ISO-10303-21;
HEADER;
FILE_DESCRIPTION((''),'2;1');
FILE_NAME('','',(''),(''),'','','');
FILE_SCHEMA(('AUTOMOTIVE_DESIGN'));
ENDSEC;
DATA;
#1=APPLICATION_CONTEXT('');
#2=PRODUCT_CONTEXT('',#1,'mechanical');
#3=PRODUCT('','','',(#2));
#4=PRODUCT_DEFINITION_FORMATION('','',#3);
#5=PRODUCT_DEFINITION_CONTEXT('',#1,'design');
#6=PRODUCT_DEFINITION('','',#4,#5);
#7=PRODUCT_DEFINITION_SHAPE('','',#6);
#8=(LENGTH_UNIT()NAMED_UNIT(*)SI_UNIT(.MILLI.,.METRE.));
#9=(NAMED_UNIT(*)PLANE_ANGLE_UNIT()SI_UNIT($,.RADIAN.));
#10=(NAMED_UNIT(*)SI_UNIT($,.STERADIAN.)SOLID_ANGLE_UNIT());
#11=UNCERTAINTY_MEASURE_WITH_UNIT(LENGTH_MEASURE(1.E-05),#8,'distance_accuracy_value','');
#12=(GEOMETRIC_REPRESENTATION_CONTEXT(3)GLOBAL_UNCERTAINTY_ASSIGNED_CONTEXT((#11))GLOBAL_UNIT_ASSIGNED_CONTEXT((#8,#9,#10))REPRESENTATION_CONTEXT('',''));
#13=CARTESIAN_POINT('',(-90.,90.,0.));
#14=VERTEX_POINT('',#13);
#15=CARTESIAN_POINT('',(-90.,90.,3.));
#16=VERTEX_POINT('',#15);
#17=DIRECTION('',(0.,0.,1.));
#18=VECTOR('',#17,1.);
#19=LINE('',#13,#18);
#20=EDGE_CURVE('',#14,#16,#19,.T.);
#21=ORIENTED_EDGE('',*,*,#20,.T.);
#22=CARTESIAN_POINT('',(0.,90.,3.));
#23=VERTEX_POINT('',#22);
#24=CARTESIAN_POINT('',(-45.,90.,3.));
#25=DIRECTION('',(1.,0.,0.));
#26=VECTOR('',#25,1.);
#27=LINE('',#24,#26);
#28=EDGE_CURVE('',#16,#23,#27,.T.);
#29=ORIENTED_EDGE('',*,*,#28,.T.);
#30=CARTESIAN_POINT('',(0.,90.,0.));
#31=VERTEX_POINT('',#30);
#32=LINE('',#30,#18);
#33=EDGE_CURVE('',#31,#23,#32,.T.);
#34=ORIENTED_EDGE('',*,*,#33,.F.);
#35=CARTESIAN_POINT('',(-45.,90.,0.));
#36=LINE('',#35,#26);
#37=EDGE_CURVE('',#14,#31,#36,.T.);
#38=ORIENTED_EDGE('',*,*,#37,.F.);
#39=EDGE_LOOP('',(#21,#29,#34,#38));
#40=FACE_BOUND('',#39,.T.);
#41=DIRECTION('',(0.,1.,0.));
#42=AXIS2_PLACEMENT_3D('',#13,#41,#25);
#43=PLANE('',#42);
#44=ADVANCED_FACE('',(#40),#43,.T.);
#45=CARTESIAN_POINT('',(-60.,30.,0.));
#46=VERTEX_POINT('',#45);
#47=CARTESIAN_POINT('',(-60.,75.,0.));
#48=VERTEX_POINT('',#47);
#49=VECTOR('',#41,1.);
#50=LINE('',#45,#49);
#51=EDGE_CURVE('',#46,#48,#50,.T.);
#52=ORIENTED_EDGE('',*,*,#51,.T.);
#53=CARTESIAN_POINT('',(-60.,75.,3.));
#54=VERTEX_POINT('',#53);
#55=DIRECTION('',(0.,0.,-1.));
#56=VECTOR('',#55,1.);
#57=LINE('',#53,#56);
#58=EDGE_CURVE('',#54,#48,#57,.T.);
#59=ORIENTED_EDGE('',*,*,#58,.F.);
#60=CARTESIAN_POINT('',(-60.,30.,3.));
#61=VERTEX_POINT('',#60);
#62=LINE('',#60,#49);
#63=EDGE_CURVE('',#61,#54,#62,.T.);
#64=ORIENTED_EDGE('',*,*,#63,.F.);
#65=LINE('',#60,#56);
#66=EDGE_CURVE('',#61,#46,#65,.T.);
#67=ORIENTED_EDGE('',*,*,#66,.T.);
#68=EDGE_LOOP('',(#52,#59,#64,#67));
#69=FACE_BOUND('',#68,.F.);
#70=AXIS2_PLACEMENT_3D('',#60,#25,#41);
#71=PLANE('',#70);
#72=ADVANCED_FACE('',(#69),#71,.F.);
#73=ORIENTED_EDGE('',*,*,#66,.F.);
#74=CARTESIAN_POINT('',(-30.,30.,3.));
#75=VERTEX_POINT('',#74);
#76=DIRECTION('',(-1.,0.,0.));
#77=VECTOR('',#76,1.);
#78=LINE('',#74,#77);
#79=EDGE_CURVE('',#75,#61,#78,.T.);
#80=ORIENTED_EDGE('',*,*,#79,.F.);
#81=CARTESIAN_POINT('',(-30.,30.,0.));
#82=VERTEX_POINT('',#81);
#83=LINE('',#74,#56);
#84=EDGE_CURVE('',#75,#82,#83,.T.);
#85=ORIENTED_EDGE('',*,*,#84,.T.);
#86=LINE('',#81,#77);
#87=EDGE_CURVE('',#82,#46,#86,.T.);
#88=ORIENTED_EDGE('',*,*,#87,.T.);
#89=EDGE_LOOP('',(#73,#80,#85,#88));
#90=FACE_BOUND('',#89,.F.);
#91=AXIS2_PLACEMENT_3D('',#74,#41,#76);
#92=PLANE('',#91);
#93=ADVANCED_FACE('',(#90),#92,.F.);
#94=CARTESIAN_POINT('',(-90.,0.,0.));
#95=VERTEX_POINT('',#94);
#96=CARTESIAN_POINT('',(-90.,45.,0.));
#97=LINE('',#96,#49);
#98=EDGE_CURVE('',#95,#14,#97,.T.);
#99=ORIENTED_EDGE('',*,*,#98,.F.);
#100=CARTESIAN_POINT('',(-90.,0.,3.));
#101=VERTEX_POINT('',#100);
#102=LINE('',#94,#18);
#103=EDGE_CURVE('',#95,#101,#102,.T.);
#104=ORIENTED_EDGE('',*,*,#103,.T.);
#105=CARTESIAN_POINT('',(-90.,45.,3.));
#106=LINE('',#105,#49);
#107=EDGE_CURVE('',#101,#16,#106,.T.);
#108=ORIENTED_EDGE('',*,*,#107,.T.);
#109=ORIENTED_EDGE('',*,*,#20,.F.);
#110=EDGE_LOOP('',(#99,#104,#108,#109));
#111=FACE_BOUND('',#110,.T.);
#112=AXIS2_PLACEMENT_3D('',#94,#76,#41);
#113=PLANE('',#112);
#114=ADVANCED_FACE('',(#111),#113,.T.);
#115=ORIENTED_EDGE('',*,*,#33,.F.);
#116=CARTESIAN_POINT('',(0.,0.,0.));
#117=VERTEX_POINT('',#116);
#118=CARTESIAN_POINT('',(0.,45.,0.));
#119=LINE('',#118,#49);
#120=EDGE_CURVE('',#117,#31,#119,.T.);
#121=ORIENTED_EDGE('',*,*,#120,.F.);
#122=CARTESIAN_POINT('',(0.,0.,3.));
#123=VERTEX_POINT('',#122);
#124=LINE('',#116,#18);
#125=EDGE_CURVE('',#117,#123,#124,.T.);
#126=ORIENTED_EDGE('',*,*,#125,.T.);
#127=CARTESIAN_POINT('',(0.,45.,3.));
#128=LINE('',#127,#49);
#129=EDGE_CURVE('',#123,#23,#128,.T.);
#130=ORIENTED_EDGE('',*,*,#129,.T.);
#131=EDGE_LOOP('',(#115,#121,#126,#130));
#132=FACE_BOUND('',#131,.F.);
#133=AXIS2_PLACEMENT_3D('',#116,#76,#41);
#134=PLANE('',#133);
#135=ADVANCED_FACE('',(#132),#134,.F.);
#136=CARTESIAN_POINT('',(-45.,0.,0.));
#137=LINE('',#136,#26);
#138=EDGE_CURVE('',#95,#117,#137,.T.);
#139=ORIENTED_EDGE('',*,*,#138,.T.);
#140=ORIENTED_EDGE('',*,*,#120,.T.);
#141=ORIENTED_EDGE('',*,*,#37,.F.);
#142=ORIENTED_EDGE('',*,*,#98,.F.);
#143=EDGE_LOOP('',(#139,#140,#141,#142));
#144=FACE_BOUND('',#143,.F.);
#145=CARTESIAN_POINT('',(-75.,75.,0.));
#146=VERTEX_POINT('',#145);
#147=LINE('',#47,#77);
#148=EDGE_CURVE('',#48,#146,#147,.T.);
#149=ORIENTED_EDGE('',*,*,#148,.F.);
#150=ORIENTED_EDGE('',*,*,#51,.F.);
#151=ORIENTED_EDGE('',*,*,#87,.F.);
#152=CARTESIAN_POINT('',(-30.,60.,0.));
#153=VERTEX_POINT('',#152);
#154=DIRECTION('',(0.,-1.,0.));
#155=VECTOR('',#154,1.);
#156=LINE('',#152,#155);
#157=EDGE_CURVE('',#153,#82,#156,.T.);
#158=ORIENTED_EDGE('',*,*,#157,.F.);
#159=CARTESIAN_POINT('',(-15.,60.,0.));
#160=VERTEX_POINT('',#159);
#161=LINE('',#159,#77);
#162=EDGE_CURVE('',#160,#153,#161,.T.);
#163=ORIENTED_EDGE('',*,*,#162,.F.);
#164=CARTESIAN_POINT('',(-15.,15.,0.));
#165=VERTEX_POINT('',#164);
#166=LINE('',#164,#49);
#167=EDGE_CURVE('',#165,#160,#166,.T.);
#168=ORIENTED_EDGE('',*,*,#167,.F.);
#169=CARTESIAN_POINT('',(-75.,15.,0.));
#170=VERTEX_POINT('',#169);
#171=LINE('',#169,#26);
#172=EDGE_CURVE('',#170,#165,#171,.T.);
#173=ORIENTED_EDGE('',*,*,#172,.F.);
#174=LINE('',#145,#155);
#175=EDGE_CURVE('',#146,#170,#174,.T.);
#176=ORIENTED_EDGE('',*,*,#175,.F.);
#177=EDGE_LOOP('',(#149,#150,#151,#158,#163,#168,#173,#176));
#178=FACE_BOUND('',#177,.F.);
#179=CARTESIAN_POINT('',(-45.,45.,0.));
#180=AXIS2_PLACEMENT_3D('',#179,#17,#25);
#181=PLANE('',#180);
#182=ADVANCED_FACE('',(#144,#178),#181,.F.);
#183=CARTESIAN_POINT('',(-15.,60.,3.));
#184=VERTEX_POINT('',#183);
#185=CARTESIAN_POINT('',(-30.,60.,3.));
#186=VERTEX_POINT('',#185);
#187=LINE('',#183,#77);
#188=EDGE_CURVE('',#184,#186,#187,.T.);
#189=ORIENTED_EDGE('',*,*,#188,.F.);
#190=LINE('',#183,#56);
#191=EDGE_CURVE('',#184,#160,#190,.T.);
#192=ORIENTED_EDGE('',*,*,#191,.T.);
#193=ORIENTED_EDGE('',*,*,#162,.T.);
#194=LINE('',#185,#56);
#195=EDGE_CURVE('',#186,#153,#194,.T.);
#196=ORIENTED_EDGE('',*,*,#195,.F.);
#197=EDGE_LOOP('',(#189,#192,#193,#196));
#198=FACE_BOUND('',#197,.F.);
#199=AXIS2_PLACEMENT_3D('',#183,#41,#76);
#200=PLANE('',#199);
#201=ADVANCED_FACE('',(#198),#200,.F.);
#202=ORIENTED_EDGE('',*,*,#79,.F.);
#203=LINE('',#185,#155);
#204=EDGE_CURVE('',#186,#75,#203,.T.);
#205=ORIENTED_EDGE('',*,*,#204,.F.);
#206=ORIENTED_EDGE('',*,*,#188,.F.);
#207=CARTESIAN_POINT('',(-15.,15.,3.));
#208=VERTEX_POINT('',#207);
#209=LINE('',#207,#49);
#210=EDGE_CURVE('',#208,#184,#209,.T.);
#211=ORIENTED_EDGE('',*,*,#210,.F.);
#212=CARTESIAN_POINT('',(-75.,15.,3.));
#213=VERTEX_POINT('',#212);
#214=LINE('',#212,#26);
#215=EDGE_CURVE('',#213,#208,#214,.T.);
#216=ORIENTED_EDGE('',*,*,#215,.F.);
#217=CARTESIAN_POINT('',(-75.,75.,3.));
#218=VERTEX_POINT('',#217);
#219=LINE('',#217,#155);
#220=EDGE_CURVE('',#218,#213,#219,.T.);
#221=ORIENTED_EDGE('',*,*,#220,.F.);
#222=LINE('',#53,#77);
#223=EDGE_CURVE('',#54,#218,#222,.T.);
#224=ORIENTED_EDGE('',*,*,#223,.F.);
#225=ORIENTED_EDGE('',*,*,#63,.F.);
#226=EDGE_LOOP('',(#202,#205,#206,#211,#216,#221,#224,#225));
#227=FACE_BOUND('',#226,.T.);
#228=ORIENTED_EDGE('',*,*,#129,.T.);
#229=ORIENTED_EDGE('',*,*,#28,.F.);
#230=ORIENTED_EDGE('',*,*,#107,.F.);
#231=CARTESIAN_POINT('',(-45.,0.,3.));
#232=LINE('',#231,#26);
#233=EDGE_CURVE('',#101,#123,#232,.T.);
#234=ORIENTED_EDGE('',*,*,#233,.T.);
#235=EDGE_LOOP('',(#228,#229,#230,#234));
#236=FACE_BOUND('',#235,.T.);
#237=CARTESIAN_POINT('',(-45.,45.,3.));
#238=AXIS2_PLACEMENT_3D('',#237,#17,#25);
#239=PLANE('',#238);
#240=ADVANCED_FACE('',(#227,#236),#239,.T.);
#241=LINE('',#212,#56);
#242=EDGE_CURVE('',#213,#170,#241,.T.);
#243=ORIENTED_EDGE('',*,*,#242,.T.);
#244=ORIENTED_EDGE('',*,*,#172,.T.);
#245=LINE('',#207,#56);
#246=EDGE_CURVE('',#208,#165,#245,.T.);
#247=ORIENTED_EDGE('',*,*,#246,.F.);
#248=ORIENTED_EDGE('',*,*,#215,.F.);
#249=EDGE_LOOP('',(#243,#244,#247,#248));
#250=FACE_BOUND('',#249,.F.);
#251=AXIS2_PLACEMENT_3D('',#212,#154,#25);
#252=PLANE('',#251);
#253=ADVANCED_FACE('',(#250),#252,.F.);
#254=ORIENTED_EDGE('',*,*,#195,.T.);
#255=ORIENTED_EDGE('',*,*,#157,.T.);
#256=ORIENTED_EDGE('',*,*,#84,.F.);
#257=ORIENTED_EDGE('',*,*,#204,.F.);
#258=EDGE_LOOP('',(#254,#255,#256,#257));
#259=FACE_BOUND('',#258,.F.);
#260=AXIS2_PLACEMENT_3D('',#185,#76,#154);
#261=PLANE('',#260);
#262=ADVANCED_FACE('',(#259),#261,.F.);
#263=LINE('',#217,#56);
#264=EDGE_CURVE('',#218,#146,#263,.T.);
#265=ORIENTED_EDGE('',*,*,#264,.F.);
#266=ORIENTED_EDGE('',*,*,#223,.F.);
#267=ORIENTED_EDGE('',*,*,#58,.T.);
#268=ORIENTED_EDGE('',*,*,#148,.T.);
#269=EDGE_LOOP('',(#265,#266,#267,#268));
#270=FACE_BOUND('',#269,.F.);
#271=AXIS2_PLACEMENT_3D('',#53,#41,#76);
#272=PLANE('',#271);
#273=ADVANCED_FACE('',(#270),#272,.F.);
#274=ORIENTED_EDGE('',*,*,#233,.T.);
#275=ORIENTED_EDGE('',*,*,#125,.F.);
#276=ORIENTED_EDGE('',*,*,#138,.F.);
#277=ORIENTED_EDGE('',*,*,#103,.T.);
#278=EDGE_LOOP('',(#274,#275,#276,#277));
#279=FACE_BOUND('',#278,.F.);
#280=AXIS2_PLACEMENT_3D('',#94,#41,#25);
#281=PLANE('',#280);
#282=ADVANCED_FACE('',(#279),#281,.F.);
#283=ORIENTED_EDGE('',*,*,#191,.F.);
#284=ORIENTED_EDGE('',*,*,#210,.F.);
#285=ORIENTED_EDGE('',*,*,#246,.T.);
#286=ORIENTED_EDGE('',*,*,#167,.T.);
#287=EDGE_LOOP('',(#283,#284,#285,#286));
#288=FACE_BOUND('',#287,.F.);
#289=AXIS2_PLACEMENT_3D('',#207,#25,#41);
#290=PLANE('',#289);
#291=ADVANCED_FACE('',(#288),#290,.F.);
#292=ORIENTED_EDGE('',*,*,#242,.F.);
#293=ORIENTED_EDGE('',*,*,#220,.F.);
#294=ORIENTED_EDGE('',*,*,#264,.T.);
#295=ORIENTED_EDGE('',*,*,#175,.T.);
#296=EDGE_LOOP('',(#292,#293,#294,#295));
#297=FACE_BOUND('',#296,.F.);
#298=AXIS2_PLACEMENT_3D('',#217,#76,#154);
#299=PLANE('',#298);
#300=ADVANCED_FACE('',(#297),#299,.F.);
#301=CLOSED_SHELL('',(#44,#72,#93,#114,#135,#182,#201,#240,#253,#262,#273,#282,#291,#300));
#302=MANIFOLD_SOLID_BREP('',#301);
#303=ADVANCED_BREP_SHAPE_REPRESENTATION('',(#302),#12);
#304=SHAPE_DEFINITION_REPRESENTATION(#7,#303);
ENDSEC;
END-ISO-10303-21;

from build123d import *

# Parameters (mm, degrees)
SKETCH_W     = 90
SKETCH_H     = 90
PAD_DEPTH    = 3
POCKET_DEPTH = 3


with BuildPart() as part:
    # Sketch → Pad (new body)
    with BuildSketch(Plane.XY):
        with Locations((-45, 45)):
            Rectangle(SKETCH_W, SKETCH_H)
    extrude(amount=PAD_DEPTH)

    # Sketch001 (on Face6 of Pad) → Pocket (cut)
    with BuildSketch(Plane.XY.offset(3)):
        Polygon((-75, 75), (-75, 15), (-15, 15), (-15, 60), (-30, 60), (-30, 30), (-60, 30), (-60, 75), align=None)
    extrude(amount=-POCKET_DEPTH, mode=Mode.SUBTRACT)


solid = part.part
